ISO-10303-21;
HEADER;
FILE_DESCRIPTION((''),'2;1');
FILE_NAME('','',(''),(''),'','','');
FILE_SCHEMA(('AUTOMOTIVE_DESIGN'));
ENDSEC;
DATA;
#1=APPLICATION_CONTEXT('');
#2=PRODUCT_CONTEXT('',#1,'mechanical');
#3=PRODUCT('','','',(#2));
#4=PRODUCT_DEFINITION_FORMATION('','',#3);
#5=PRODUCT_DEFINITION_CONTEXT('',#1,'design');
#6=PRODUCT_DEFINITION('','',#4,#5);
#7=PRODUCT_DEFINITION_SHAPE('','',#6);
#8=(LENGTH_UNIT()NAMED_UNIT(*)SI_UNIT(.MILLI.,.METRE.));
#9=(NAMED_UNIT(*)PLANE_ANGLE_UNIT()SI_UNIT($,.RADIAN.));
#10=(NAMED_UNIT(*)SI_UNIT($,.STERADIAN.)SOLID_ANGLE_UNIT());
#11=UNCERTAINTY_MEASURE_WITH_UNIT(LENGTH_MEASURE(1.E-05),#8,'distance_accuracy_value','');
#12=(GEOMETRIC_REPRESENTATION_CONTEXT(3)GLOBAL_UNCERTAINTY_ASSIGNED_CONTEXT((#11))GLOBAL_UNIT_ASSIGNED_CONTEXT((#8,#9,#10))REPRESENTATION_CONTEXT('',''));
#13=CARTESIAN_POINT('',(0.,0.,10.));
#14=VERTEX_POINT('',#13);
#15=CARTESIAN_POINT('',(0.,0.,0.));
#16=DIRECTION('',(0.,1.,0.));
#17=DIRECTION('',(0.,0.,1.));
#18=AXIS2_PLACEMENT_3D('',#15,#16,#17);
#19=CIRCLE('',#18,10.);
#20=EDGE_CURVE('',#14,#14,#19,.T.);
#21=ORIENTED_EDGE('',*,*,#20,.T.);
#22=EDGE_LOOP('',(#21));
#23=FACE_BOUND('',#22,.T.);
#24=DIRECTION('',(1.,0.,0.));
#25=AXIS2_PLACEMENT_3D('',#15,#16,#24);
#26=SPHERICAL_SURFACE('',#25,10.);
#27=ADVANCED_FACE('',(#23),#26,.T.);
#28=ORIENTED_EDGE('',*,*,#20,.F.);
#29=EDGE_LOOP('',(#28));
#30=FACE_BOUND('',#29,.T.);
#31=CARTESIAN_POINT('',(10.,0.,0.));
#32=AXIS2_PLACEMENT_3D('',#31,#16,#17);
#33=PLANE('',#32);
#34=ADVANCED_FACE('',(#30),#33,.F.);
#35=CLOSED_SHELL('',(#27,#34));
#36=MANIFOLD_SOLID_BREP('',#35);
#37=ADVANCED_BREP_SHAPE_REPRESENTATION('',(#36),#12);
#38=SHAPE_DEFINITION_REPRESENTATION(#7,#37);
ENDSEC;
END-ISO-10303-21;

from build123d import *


with BuildPart() as part:
    # Sketch1 → Revolve3 (revolve)
    with BuildSketch(Plane.XY):
        with BuildLine():
            Line((0, 10), (0, 0))
            Line((0, 0), (10, 0))
            ThreePointArc((10, 0), (7.071067812, 7.071067812), (0, 10))
        make_face()
    revolve(axis=Axis((0, 10, 0), (0, -1, 0)))


solid = part.part
